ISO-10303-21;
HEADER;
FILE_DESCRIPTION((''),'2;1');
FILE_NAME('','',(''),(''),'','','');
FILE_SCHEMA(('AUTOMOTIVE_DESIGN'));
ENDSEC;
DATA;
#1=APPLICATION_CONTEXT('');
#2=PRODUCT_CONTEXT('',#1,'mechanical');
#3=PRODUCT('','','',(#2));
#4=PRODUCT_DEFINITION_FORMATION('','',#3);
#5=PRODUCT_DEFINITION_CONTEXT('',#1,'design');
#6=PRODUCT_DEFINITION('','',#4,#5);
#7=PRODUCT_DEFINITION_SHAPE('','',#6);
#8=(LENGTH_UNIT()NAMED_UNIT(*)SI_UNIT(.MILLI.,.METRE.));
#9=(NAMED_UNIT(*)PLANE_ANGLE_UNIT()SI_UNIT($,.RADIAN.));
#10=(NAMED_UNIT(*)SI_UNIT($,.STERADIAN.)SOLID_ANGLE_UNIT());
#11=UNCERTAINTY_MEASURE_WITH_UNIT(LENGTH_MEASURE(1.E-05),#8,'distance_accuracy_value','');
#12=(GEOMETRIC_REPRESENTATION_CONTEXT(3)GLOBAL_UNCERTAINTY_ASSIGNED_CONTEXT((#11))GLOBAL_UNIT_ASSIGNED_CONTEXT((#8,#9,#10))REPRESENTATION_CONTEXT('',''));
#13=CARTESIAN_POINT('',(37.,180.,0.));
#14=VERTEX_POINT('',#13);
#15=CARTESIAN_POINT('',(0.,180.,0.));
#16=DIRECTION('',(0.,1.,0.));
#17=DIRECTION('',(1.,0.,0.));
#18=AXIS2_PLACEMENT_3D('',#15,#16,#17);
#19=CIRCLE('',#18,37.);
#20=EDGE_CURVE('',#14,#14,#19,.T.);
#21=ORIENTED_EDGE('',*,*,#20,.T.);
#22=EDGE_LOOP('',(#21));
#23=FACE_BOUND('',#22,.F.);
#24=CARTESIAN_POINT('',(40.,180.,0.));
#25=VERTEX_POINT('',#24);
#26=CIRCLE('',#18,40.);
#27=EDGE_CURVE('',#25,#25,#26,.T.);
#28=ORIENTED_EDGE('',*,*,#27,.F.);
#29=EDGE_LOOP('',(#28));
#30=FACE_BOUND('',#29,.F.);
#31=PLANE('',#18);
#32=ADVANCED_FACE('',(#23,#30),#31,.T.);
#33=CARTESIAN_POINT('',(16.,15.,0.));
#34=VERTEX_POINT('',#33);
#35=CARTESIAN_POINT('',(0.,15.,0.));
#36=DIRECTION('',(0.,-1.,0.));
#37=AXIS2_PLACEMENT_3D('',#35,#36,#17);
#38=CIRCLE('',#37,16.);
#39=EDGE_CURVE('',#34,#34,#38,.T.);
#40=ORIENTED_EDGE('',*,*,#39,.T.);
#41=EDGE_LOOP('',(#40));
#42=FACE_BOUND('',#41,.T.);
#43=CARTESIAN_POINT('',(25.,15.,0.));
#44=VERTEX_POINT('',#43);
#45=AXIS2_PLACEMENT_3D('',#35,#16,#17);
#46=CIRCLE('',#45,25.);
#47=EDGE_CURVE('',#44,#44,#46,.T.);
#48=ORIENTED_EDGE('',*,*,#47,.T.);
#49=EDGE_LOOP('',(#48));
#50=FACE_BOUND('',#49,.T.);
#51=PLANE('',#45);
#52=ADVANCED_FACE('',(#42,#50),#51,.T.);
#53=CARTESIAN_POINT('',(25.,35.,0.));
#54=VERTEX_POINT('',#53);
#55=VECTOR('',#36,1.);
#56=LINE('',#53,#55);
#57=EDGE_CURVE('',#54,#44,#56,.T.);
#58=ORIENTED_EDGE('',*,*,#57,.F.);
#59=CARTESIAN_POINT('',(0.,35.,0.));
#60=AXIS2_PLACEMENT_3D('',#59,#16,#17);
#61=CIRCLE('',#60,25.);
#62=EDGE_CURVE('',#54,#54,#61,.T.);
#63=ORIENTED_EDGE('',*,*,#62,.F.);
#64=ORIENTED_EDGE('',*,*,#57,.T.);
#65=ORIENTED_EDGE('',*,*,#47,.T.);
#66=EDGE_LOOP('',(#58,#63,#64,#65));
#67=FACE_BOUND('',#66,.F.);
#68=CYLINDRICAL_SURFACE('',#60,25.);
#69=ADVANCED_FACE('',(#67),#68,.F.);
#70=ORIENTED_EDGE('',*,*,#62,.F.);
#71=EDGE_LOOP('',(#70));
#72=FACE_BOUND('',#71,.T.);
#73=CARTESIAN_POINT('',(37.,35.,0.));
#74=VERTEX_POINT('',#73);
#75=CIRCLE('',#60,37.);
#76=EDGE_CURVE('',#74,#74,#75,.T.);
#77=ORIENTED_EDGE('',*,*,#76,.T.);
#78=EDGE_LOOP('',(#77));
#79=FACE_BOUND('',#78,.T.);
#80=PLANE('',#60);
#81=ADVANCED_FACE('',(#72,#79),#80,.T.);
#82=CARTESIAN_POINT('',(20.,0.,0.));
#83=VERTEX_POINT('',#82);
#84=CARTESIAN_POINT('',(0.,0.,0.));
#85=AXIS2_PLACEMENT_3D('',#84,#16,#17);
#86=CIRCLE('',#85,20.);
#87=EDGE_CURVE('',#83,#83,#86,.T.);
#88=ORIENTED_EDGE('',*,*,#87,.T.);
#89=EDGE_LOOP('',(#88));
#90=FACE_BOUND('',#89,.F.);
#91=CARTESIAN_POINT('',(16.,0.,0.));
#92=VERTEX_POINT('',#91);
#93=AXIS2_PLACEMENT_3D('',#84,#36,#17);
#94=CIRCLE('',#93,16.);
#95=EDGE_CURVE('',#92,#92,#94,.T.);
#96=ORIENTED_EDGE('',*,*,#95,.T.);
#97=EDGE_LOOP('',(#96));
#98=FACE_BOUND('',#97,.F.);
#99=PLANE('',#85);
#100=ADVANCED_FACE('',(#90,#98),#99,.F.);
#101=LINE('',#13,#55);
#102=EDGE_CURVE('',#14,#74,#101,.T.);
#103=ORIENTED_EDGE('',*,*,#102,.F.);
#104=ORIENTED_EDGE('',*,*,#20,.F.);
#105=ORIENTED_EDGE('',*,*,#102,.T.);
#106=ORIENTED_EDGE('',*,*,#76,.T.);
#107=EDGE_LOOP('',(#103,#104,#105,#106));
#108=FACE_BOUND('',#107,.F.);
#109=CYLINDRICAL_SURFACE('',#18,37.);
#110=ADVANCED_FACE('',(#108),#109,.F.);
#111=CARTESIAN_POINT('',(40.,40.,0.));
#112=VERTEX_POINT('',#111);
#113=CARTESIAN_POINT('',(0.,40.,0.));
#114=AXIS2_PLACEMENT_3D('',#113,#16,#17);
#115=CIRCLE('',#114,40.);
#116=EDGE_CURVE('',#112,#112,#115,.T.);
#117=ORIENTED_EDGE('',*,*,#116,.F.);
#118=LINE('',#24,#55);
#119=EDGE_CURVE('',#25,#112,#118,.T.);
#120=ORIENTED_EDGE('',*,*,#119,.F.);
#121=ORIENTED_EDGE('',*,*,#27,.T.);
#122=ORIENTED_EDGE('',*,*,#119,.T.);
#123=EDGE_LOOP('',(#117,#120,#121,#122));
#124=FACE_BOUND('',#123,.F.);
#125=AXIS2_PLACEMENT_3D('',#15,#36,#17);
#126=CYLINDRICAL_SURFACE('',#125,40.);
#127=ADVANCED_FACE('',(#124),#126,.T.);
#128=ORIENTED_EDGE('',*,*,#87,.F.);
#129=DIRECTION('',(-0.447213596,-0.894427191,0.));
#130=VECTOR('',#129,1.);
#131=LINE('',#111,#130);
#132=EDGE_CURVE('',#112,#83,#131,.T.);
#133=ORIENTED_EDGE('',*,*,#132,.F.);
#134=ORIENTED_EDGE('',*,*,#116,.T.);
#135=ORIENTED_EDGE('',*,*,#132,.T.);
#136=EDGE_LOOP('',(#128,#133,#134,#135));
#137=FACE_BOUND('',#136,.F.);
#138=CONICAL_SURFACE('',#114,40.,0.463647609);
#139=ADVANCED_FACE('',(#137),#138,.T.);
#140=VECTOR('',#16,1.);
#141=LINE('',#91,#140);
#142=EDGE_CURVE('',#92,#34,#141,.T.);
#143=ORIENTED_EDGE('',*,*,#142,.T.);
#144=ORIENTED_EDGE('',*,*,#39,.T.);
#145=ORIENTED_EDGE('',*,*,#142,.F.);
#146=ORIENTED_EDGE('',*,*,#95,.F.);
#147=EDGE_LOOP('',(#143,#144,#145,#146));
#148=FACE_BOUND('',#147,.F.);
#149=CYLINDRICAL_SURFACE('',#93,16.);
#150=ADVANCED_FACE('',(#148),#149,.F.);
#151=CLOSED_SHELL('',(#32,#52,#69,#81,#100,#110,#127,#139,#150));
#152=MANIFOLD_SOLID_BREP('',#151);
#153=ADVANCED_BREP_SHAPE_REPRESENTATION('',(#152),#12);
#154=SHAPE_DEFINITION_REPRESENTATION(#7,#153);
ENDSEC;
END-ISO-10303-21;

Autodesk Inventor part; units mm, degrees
ref_plane "YZ Plane" through (0, 0, 0) normal (1, 0, 0) x (0, 1, 0)
ref_plane "XZ Plane" through (0, 0, 0) normal (0, 1, 0) x (-1, 0, 0)
ref_plane "XY Plane" through (0, 0, 0) normal (0, 0, 1) x (1, 0, 0)
sketch "Sketch1" plane through (0, 0, 0) normal (0, 0, 1) x (1, 0, 0)
  line L0 (0, 180) -> (40, 180)
  line L1 (40, 180) -> (40, 40)
  line L2 (40, 40) -> (20, 0)
  line L3 (20, 0) -> (0, 0)
  line L4 (0, 0) -> (0, 180)
  point P0 (10, 0)
  dimension "d1" = 40
  dimension "d2" = 20
  dimension "d4" = 180
  dimension "d5" = 140
revolve "Revolution1" add sketch "Sketch1" angle 360 about axis through (0, 0, 0) along (0, 1, 0)
sketch "Sketch2" plane through (0, 180, 0) normal (0, 1, 0) x (1, 0, 0)
  circle A0 centre (0, 0) radius 37
  circle A1 centre (0, 0) radius 40 projected
  dimension "d14" = 3
extrude "Extrusion1" cut sketch "Sketch2" against normal blind 145 contours A0
sketch "Sketch3" plane through (0, 0, 0) normal (0, -1, 0) x (1, 0, 0)
  circle A0 centre (0, 0) radius 16
  circle A1 centre (0, 0) radius 20 projected
extrude "Extrusion2" cut sketch "Sketch3" against normal blind 140 contours A0
sketch "Sketch4" plane through (0, 35, 0) normal (0, 1, 0) x (1, 0, 0)
  circle A0 centre (0, 0) radius 25
  dimension "d11" = 50
extrude "Extrusion3" cut sketch "Sketch4" against normal blind 20
sketch "Sketch5" plane through (0, 0, 0) normal (0, -1, 0) x (1, 0, 0)
  point P0 (0, 0)
